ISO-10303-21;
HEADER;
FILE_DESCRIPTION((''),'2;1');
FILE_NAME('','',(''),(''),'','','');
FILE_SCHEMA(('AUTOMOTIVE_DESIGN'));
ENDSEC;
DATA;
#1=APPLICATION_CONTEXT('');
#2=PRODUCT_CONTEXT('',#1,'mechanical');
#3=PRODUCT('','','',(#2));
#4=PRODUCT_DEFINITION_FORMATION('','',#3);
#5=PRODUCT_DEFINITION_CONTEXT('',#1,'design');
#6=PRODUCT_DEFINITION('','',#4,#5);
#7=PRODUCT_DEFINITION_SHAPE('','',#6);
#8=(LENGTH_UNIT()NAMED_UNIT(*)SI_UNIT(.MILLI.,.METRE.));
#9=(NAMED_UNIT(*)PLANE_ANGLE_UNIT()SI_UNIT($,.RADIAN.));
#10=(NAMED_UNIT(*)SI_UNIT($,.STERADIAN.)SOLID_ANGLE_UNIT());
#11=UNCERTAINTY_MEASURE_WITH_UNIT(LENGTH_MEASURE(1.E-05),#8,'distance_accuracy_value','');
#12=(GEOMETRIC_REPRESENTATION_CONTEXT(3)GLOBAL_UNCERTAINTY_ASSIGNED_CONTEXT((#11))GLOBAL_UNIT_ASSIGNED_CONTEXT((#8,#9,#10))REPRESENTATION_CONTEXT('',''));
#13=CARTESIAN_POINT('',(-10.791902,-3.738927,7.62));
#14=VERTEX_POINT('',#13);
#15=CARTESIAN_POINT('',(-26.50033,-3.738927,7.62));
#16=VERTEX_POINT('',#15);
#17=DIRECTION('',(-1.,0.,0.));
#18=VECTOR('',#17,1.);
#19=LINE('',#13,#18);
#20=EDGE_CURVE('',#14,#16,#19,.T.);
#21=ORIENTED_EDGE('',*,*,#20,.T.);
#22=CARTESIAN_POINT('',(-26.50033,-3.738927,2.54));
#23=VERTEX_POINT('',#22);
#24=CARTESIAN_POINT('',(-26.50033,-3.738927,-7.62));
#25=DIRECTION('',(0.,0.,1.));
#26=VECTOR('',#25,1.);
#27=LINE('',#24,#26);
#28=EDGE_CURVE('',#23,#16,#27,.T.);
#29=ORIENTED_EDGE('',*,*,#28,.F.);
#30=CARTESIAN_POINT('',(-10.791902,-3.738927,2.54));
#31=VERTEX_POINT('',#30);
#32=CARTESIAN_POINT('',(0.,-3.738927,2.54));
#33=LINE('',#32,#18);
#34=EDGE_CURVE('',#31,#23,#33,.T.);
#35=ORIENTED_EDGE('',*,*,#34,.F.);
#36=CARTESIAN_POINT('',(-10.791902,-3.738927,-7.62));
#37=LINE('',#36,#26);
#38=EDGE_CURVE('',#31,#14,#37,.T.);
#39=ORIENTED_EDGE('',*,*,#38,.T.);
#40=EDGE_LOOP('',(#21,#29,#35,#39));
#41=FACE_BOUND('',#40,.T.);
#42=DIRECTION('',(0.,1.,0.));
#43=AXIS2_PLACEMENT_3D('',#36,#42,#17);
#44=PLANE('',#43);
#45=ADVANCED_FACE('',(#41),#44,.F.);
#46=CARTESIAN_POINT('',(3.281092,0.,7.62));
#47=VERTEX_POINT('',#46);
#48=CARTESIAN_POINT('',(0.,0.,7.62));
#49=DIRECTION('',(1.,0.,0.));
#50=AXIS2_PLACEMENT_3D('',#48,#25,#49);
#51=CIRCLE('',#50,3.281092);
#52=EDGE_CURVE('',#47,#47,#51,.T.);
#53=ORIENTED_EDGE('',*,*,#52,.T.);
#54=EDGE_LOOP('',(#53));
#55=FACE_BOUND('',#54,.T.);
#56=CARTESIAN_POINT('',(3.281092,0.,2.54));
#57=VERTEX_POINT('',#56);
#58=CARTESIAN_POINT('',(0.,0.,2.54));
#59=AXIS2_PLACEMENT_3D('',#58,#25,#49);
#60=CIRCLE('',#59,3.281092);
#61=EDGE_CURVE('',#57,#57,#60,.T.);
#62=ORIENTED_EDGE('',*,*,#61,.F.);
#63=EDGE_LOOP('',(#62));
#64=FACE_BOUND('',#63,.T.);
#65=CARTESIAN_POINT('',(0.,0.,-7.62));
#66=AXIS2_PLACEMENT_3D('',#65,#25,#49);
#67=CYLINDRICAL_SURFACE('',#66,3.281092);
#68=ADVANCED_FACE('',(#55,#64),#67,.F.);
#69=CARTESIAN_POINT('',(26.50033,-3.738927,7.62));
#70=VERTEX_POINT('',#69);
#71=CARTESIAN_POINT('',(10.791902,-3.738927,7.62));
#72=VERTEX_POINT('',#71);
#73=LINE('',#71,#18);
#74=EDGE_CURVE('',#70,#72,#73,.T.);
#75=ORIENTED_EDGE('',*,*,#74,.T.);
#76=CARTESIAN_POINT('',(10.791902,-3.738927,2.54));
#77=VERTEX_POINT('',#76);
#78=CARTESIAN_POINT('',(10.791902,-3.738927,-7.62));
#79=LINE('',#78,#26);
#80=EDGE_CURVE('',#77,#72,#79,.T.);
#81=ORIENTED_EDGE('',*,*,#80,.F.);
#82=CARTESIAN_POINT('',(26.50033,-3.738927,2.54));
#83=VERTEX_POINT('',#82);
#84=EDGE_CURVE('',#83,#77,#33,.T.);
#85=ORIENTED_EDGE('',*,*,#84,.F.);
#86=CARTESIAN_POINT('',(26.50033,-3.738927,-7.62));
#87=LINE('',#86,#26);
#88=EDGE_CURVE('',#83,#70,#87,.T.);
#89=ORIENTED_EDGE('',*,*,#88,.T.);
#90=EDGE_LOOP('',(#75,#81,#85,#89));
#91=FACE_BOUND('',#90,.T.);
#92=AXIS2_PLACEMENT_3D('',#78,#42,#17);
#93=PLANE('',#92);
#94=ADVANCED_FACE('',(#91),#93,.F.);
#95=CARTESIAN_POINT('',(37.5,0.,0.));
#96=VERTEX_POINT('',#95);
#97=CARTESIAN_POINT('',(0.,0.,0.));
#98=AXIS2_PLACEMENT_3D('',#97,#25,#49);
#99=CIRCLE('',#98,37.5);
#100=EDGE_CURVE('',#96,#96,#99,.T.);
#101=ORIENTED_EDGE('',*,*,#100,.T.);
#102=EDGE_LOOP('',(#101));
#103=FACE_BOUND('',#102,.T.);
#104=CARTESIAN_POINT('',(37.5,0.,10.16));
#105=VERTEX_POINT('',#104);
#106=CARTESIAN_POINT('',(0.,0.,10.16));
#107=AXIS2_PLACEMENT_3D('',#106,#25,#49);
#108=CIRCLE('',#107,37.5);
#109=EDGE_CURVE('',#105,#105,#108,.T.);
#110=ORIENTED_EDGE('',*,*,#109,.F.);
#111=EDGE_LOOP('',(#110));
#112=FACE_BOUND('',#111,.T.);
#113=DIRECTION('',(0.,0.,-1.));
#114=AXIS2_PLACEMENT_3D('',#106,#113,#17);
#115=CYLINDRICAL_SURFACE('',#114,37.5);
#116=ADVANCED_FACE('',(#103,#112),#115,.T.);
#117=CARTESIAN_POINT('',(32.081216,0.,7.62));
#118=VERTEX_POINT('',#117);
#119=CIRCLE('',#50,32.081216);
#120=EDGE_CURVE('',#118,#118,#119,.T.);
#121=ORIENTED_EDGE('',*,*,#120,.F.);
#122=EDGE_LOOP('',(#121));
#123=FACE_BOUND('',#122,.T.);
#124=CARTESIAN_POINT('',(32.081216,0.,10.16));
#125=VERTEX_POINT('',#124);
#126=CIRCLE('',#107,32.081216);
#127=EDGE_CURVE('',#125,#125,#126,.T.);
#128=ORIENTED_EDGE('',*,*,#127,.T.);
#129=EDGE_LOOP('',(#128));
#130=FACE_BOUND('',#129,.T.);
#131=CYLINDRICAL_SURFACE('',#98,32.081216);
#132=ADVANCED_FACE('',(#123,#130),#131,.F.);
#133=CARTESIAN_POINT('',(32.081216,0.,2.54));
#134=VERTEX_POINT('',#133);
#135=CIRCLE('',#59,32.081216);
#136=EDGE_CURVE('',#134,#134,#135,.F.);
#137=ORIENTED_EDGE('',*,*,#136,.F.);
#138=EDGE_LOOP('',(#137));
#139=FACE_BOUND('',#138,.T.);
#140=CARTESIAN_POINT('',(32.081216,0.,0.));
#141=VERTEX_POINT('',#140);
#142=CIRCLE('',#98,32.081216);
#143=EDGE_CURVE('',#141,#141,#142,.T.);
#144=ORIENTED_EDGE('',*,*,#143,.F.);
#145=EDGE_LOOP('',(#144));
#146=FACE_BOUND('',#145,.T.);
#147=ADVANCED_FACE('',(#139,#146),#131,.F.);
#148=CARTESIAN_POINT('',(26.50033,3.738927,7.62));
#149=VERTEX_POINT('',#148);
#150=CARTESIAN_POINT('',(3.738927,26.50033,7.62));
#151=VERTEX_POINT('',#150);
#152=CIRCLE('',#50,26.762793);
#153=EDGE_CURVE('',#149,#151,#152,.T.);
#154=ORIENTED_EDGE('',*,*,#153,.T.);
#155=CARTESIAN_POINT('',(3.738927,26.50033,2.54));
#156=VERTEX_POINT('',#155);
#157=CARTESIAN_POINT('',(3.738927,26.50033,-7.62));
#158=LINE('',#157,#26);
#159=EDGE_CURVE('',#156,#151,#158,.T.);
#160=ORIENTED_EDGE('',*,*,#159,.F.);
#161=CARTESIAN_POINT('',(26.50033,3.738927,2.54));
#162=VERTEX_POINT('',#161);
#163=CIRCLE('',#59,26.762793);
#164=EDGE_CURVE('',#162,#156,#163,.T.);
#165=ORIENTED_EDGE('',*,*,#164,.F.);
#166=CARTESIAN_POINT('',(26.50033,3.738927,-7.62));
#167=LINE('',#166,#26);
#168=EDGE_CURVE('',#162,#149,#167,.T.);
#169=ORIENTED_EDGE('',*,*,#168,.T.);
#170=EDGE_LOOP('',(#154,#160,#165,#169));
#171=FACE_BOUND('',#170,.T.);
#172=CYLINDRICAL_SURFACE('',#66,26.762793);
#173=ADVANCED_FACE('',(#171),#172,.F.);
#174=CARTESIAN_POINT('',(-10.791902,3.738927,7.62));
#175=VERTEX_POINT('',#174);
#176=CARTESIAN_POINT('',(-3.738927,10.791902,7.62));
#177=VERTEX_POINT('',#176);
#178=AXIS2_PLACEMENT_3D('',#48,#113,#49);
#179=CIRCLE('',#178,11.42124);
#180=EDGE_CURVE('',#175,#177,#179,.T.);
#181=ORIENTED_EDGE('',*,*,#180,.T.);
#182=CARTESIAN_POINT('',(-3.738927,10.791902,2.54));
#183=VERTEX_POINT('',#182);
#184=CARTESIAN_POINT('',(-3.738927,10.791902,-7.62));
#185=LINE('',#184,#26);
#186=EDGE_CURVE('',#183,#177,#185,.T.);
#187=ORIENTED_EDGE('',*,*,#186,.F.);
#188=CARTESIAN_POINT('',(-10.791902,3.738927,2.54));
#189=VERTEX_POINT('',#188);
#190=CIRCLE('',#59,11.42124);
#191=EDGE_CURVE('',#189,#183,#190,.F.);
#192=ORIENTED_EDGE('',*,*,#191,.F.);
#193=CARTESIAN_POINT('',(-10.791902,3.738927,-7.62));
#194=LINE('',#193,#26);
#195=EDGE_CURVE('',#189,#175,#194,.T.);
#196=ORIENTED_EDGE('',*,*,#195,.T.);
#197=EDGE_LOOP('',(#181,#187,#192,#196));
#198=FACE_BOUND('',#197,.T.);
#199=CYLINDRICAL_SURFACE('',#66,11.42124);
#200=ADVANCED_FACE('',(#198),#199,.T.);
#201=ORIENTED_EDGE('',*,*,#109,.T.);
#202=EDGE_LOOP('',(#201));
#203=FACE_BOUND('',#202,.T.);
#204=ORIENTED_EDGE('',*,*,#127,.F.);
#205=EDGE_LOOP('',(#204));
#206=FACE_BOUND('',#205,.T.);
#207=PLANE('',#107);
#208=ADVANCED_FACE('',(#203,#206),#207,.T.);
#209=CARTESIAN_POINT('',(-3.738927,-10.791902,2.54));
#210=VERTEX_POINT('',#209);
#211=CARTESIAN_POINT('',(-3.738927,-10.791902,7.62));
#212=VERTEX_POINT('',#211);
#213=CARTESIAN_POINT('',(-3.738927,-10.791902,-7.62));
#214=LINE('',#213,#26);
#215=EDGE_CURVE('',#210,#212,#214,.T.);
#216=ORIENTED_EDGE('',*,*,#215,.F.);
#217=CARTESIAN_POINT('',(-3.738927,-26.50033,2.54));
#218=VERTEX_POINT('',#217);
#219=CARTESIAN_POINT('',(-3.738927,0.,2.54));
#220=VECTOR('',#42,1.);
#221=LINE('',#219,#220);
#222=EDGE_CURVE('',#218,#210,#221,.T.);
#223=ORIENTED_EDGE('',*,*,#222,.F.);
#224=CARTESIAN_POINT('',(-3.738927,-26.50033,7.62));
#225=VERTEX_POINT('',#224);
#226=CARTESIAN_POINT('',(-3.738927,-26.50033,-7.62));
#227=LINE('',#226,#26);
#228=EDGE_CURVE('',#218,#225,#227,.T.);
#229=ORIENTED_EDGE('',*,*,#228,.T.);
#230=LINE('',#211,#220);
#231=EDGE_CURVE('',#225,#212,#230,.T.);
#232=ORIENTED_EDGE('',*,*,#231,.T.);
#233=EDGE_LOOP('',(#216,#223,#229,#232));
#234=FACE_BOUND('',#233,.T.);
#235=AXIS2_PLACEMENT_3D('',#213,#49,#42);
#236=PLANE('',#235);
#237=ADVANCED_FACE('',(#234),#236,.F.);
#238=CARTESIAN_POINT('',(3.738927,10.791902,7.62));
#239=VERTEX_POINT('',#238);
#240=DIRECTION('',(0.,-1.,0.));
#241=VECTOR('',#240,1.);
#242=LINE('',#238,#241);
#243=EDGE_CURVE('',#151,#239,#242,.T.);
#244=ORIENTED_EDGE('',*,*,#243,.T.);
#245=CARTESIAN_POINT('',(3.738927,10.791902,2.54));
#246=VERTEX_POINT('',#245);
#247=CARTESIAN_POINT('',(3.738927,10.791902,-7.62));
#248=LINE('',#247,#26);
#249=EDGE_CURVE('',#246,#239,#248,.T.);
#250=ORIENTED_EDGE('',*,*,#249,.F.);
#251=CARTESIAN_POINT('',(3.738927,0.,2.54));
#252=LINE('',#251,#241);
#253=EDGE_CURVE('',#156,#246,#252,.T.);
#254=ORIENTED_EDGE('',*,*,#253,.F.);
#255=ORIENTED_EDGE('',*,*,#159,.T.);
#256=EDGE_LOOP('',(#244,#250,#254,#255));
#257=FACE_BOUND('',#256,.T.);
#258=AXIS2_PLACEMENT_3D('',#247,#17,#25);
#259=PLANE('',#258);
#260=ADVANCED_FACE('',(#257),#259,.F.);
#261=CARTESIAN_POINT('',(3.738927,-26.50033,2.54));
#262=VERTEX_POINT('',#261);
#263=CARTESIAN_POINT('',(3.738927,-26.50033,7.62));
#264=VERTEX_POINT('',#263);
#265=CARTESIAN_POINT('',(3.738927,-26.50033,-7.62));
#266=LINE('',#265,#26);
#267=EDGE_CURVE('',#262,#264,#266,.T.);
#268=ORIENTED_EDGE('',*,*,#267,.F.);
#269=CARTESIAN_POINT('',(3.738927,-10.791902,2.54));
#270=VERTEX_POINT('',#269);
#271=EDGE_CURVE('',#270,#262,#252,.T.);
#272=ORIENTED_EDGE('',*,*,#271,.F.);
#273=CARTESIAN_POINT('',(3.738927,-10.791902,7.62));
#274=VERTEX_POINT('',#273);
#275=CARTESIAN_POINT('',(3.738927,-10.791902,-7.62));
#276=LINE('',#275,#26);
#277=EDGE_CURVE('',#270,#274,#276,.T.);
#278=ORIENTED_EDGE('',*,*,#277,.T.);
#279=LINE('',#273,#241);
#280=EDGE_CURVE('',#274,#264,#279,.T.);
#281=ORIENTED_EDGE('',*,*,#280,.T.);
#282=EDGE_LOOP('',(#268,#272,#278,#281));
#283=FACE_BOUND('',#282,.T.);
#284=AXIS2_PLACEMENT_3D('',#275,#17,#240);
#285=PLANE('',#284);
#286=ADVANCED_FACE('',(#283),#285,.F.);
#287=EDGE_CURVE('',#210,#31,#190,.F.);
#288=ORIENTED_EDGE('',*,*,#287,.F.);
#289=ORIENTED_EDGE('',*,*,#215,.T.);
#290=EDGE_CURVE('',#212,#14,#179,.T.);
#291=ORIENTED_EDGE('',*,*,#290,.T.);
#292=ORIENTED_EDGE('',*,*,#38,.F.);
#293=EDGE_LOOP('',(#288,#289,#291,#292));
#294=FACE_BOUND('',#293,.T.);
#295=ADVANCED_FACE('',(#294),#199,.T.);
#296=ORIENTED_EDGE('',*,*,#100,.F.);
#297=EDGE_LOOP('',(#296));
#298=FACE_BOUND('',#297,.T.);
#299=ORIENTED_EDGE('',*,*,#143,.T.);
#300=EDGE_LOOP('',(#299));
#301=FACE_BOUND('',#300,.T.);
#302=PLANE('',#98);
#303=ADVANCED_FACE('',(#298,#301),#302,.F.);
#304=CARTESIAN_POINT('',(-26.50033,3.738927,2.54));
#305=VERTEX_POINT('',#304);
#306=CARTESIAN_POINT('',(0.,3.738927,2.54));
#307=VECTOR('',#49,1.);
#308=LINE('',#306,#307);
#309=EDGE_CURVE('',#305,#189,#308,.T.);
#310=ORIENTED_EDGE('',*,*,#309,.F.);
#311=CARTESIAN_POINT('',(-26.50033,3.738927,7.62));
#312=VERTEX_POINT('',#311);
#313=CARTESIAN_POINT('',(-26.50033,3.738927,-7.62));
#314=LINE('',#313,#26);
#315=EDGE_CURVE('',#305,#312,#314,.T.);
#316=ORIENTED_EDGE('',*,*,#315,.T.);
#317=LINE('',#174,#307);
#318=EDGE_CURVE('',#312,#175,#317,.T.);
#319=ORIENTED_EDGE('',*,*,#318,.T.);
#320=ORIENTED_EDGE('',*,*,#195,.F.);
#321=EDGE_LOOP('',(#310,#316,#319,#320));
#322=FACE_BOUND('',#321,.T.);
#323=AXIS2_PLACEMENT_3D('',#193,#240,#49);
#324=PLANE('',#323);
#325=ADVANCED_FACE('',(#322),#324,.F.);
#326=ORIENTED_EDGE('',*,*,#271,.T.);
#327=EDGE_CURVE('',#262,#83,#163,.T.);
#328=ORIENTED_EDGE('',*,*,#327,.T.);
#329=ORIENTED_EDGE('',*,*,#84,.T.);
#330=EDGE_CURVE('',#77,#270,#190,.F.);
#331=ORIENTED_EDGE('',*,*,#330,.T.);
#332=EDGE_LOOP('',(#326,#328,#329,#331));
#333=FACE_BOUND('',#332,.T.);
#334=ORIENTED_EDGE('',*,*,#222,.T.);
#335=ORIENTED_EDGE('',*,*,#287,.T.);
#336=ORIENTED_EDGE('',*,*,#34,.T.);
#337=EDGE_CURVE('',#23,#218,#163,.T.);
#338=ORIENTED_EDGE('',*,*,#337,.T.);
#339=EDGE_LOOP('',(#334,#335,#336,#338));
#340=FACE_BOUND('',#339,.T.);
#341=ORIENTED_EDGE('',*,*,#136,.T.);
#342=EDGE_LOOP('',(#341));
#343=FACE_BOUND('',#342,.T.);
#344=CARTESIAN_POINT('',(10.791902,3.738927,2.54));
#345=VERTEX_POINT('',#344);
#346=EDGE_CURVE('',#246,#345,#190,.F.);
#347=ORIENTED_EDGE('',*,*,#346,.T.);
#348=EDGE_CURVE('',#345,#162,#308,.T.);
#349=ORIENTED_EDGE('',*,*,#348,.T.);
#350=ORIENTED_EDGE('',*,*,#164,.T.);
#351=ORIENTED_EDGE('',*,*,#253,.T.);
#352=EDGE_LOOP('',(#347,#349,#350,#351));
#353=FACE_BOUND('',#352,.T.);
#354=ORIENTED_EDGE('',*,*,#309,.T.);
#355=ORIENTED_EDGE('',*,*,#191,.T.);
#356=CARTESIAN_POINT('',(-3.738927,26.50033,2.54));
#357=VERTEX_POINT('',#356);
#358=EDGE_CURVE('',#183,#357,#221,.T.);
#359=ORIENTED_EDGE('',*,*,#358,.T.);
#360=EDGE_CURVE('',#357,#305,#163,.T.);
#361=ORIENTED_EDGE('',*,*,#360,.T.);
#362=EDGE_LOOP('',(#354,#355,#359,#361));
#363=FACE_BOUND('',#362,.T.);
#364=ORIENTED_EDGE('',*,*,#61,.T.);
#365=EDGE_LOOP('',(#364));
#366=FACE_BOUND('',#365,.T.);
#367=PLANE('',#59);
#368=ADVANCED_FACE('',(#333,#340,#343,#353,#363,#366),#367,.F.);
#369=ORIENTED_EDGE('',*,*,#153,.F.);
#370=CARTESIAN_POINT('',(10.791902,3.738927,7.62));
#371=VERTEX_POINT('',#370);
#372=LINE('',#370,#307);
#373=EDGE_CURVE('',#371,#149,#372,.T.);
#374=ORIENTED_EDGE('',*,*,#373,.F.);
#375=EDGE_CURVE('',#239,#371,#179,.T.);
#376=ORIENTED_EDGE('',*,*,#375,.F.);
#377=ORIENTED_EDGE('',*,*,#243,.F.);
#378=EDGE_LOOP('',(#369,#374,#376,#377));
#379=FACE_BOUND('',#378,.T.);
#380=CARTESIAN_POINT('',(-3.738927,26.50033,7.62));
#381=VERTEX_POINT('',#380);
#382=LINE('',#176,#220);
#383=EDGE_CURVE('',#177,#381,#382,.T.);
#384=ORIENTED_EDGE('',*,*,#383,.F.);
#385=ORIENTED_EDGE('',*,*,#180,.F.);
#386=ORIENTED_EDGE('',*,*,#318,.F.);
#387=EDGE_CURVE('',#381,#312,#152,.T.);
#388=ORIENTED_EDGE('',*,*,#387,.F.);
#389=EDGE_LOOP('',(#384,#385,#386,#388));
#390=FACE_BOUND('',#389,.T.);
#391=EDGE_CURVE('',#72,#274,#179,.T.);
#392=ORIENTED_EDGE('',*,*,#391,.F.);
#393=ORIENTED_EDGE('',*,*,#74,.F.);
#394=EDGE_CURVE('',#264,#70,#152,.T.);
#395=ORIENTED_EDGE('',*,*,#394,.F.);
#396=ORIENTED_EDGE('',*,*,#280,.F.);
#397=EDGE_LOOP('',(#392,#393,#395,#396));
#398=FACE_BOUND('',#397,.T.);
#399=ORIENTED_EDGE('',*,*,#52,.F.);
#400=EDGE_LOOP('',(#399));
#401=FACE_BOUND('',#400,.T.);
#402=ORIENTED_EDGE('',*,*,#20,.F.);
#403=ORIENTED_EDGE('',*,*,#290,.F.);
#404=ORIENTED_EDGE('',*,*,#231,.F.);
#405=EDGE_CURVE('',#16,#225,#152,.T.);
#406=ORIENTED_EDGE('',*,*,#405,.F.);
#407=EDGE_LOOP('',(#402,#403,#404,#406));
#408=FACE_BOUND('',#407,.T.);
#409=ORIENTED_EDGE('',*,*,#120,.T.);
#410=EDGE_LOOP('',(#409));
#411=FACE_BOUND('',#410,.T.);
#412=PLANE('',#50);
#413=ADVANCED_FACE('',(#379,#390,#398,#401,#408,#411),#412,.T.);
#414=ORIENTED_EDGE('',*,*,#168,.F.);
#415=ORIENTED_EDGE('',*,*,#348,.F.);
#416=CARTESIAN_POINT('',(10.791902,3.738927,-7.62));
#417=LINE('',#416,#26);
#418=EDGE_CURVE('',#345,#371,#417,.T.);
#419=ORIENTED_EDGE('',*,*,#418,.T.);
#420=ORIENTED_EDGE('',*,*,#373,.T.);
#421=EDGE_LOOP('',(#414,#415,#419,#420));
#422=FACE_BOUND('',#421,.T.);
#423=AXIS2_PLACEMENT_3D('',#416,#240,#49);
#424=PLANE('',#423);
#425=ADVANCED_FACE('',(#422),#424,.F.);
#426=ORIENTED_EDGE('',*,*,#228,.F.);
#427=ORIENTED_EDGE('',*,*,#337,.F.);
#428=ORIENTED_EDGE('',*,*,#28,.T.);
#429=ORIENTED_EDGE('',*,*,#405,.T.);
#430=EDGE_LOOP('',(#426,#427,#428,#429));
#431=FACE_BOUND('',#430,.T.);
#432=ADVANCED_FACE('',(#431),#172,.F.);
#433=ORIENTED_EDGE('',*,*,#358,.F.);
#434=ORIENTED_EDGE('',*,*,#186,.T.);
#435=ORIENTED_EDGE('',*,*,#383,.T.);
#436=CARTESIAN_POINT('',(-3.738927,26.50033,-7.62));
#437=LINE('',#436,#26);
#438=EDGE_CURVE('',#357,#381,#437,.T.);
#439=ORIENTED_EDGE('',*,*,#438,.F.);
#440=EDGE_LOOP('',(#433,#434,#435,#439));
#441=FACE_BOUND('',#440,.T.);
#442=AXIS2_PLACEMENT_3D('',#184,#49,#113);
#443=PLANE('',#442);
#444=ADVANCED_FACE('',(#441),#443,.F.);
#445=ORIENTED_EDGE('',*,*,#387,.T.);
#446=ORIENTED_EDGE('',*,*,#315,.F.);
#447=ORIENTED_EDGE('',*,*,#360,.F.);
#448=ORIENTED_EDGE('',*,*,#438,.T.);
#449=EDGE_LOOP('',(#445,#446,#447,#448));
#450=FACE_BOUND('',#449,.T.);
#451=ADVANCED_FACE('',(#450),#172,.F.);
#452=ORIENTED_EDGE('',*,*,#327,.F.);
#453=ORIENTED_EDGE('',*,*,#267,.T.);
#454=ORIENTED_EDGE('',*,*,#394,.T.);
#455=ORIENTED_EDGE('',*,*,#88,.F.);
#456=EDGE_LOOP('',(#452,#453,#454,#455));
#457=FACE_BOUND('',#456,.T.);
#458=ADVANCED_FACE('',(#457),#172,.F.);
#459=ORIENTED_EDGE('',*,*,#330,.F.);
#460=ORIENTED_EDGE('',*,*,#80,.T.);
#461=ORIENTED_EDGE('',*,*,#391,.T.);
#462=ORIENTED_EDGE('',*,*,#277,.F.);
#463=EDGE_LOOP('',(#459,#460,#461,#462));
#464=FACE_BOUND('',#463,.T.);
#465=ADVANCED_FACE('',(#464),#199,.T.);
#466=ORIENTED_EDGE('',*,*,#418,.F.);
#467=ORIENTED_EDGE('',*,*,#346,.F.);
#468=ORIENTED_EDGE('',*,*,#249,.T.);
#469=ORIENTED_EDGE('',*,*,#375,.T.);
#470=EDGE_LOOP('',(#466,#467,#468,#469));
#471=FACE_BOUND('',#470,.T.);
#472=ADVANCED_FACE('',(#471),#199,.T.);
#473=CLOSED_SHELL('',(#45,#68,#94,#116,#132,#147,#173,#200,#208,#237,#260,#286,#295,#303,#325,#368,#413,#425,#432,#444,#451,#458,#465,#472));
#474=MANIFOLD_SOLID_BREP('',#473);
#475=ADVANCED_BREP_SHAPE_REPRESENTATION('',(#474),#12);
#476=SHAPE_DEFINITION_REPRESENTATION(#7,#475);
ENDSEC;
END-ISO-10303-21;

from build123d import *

# Parameters (mm, degrees)
SKETCH1_R                = 37.5
BOSS_EXTRUDE1_DEPTH      = 10.16
SKETCH2_R                = 32.081215916
CUT_EXTRUDE1_DEPTH       = 10.16
SKETCH4_R                = 32.081215916
BOSS_EXTRUDE3_DEPTH      = 2.54
BOSS_EXTRUDE3_DEPTH_BACK = 2.54
CUT_EXTRUDE2_DEPTH       = 15.24
SKETCH6_R                = 3.281091855
CUT_EXTRUDE3_DEPTH       = 15.24


with BuildPart() as part:
    # Sketch1 → Boss-Extrude1 (new body)
    with BuildSketch(Plane.XY):
        Circle(SKETCH1_R)
    extrude(amount=BOSS_EXTRUDE1_DEPTH)

    # Sketch2 → Cut-Extrude1 (cut)
    with BuildSketch(Plane.XY.offset(10.16)):
        Circle(SKETCH2_R)
    extrude(amount=-CUT_EXTRUDE1_DEPTH, mode=Mode.SUBTRACT)

    # Sketch4 → Boss-Extrude3 (add, two sides)
    with BuildSketch(Plane.XY.offset(5.08)) as boss_extrude3_sk:
        Circle(SKETCH4_R)
    extrude(amount=BOSS_EXTRUDE3_DEPTH)
    extrude(boss_extrude3_sk.sketch, amount=-BOSS_EXTRUDE3_DEPTH_BACK)

    # Sketch5 → Cut-Extrude2 (cut)
    with BuildSketch(Plane.XY.offset(7.62)):
        with BuildLine():
            Line((-3.738926609, 10.791901804), (-3.738926609, 26.50033006))
            ThreePointArc((-3.738926609, 26.50033006), (-18.924152101, 18.924152101), (-26.50033006, 3.738926609))
            Line((-26.50033006, 3.738926609), (-10.791901804, 3.738926609))
            ThreePointArc((-10.791901804, 3.738926609), (-8.076036055, 8.076036055), (-3.738926609, 10.791901804))
        make_face()
        with BuildLine():
            Line((3.738926609, 10.791901804), (3.738926609, 26.50033006))
            ThreePointArc((3.738926609, 26.50033006), (18.924152101, 18.924152101), (26.50033006, 3.738926609))
            Line((26.50033006, 3.738926609), (10.791901804, 3.738926609))
            ThreePointArc((10.791901804, 3.738926609), (8.076036055, 8.076036055), (3.738926609, 10.791901804))
        make_face()
        with BuildLine():
            Line((10.791901804, -3.738926609), (26.50033006, -3.738926609))
            ThreePointArc((26.50033006, -3.738926609), (18.924152101, -18.924152101), (3.738926609, -26.50033006))
            Line((3.738926609, -26.50033006), (3.738926609, -10.791901804))
            ThreePointArc((3.738926609, -10.791901804), (8.076036055, -8.076036055), (10.791901804, -3.738926609))
        make_face()
        with BuildLine():
            Line((-3.738926609, -10.791901804), (-3.738926609, -26.50033006))
            ThreePointArc((-3.738926609, -26.50033006), (-18.924152101, -18.924152101), (-26.50033006, -3.738926609))
            Line((-26.50033006, -3.738926609), (-10.791901804, -3.738926609))
            ThreePointArc((-10.791901804, -3.738926609), (-8.076036055, -8.076036055), (-3.738926609, -10.791901804))
        make_face()
    extrude(amount=-CUT_EXTRUDE2_DEPTH, mode=Mode.SUBTRACT)

    # Sketch6 → Cut-Extrude3 (cut)
    with BuildSketch(Plane.XY.offset(7.62)):
        Circle(SKETCH6_R)
    extrude(amount=-CUT_EXTRUDE3_DEPTH, mode=Mode.SUBTRACT)


solid = part.part
